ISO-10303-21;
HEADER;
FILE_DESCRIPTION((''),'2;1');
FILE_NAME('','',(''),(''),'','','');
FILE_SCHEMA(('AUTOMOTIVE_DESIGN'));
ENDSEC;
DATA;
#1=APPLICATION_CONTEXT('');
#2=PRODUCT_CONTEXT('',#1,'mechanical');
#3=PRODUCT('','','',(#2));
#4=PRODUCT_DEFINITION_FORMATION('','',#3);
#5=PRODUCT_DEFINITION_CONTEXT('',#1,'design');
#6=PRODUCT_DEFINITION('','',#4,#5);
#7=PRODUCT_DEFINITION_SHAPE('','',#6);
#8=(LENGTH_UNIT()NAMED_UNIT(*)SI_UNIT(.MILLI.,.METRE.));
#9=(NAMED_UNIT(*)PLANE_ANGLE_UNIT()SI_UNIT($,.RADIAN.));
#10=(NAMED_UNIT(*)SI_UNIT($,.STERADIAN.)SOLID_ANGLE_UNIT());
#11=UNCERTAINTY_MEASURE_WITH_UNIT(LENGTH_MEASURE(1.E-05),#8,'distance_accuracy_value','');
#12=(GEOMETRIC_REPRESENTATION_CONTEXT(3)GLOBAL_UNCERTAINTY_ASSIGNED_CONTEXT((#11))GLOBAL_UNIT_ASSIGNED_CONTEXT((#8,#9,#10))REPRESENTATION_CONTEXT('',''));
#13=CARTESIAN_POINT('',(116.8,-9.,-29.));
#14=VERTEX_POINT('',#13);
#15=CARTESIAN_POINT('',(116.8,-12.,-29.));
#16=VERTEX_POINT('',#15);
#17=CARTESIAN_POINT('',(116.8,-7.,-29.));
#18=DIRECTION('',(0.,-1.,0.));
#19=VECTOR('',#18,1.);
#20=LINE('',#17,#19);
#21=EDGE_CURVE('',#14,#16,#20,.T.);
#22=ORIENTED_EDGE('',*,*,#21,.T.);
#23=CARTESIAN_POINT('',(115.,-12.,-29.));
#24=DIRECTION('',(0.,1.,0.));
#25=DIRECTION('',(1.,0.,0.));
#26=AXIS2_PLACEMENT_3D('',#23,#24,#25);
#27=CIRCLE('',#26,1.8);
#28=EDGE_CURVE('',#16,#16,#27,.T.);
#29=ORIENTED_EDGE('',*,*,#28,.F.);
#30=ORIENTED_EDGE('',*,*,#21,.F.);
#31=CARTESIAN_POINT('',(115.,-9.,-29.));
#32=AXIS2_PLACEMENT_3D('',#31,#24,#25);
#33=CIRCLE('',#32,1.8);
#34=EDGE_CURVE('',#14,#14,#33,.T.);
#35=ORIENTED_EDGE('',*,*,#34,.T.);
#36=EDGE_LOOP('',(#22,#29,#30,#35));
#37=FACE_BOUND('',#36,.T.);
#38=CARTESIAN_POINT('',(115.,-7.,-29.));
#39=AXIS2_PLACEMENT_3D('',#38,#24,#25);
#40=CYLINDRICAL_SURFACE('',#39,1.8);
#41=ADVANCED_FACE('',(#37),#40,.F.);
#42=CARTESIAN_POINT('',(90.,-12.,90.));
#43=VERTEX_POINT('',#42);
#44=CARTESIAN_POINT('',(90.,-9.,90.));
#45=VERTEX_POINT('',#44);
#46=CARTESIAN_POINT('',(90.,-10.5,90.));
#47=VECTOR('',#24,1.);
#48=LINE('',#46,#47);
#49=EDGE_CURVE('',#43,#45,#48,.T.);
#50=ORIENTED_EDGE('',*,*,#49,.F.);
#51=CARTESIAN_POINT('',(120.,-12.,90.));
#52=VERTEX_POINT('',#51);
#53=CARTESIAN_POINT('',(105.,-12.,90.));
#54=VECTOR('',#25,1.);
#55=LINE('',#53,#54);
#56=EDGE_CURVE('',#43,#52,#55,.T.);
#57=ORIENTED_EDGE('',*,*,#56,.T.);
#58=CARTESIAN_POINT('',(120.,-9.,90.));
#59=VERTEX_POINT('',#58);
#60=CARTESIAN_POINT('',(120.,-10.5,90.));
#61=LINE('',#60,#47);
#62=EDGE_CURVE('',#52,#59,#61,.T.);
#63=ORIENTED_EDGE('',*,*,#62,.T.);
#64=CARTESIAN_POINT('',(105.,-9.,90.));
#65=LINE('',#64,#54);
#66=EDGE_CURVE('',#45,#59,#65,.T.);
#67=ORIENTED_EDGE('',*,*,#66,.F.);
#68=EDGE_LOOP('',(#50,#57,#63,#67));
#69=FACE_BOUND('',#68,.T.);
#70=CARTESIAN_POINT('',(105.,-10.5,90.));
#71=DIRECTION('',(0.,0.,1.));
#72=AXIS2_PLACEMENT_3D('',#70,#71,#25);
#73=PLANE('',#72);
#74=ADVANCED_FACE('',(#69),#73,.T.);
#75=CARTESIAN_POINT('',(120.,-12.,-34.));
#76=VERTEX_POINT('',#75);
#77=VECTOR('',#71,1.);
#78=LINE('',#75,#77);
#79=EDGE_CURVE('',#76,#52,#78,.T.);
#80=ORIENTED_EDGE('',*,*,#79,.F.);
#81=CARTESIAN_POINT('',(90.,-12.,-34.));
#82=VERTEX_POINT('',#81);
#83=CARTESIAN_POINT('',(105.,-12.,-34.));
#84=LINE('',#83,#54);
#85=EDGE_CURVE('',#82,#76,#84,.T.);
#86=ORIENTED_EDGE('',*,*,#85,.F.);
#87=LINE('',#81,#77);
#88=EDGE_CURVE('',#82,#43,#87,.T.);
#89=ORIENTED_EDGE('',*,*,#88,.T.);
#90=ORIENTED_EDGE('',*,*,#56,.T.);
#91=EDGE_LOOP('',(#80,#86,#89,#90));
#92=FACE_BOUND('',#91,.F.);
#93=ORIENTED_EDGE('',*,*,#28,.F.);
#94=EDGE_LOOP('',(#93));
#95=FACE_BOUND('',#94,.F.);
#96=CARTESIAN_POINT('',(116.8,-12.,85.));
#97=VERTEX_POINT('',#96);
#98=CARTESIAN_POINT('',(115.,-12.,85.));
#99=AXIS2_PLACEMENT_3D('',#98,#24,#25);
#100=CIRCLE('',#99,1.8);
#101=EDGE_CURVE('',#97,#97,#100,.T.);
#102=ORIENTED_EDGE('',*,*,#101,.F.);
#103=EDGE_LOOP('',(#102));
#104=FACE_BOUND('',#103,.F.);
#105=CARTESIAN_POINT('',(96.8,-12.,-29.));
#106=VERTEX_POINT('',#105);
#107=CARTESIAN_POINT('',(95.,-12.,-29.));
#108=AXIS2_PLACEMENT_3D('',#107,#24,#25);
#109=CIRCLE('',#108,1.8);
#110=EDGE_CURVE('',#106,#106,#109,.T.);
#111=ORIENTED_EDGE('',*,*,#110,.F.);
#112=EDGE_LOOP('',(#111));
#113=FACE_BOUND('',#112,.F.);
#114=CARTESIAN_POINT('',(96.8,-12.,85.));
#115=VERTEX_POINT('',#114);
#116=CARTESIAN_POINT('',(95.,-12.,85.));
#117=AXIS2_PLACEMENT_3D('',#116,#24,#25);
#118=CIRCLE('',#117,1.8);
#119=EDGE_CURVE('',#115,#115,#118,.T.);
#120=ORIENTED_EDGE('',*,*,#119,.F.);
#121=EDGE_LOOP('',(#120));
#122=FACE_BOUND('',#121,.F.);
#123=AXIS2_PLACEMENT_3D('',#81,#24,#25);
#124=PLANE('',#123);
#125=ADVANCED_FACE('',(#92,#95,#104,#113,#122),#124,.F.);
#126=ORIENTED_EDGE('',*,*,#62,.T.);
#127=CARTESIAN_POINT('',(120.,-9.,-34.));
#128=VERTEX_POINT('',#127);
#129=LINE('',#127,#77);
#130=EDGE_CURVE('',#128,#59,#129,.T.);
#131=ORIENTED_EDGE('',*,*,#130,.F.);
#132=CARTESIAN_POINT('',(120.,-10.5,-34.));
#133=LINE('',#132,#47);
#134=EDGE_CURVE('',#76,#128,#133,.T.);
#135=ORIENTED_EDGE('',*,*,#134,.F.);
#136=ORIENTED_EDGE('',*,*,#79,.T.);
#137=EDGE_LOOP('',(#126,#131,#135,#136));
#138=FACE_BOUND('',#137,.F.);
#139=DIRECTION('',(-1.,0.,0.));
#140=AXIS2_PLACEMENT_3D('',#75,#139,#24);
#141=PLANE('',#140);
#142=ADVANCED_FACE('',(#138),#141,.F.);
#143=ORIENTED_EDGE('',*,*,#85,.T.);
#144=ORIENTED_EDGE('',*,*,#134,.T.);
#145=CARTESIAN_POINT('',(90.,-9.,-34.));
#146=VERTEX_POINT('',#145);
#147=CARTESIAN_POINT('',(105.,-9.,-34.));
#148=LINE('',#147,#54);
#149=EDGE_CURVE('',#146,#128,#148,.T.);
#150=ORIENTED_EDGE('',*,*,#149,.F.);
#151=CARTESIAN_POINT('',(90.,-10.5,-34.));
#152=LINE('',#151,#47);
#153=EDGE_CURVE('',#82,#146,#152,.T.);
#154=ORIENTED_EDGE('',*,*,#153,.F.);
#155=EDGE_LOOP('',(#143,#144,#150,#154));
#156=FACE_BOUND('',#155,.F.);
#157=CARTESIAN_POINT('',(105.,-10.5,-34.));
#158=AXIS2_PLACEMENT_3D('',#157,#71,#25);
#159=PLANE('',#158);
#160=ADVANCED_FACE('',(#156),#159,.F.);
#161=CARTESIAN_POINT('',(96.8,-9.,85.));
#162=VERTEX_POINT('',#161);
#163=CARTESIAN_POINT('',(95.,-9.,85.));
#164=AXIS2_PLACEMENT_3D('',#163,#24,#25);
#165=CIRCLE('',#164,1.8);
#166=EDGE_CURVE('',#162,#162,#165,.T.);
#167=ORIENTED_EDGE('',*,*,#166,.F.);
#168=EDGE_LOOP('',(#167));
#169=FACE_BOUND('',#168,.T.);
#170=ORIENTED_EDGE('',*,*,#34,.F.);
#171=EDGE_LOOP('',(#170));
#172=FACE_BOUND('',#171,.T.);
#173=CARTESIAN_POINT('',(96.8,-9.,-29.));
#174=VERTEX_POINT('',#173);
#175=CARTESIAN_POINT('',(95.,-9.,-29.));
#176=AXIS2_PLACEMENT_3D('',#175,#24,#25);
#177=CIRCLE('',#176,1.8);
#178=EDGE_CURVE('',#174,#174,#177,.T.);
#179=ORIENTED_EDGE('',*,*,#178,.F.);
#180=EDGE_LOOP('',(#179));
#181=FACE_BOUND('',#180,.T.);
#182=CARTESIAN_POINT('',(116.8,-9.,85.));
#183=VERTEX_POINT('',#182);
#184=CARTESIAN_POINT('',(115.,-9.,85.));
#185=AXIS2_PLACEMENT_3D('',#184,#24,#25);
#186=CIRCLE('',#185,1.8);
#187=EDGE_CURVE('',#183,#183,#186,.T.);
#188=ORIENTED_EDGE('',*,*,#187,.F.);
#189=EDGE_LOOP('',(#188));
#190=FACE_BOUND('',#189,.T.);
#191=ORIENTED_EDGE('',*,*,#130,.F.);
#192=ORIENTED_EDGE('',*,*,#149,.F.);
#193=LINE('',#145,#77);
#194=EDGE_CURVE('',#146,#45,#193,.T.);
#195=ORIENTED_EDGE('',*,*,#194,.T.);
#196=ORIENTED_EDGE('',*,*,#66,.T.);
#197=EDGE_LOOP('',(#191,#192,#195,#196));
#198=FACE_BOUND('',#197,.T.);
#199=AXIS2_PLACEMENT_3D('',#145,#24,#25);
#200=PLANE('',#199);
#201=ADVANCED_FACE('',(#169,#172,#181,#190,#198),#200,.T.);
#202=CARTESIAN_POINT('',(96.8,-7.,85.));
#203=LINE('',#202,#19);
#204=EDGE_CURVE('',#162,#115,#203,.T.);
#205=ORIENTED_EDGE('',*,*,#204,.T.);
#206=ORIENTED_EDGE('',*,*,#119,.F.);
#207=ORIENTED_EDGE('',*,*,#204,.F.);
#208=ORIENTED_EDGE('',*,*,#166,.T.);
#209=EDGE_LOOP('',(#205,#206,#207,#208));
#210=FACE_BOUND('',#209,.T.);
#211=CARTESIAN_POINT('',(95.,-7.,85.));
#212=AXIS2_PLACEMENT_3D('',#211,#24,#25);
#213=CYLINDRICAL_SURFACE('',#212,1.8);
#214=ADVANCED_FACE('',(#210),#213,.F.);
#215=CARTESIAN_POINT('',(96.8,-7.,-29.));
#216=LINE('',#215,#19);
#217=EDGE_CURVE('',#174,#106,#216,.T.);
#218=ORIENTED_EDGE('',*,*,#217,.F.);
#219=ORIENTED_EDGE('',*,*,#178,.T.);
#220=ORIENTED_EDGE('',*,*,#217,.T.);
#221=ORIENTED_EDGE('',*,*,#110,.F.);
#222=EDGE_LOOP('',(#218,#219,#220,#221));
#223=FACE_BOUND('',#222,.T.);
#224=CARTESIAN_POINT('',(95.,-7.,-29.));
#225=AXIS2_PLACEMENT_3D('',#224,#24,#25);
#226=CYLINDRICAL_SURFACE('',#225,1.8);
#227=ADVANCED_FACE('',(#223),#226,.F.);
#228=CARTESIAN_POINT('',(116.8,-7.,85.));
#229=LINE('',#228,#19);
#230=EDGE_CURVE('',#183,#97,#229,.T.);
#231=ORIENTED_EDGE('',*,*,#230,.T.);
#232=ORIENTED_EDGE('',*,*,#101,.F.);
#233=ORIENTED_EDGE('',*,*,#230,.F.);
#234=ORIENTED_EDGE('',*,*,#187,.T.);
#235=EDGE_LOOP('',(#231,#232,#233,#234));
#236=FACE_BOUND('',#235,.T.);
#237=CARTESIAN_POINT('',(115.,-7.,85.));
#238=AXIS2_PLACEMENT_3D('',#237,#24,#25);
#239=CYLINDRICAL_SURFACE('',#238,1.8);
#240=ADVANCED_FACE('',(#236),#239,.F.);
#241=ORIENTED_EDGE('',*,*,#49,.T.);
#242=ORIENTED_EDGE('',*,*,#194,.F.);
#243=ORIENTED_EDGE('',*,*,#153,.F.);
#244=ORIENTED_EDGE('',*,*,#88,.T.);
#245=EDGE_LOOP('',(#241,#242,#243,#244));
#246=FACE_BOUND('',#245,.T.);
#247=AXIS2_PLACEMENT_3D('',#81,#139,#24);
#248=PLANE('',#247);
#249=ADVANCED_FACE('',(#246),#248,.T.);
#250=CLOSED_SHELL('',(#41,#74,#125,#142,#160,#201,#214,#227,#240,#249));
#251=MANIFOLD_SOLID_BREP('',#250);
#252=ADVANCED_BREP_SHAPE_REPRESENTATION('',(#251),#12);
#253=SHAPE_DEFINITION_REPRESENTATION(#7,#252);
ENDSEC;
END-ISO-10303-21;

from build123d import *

# Parameters (mm, degrees)
CYLINDER038_R       = 1.8
CYLINDER038_DEPTH   = 10
ARRAY001019_X_COUNT = 2
ARRAY001019_X_PITCH = 20
ARRAY001019_Z_COUNT = 2
ARRAY001019_Z_PITCH = 114
BOX018_W            = 30
BOX018_H            = 3
BOX018_DEPTH        = 124


with BuildPart() as side_connector_hole_array:
    # Cylinder038 → Cylinder038 (new body)
    with BuildSketch(Plane.XZ):
        Circle(CYLINDER038_R)
    extrude(amount=CYLINDER038_DEPTH)

    # Array001019 X: side connector hole array ×2


with BuildPart() as side_connector_hole_array_1:
    add(side_connector_hole_array.part)
    with Locations(*[(i * ARRAY001019_X_PITCH, 0, 0) for i in range(1, ARRAY001019_X_COUNT)]):
        add(side_connector_hole_array.part)

    # Array001019 Z: side connector hole array ×2


with BuildPart() as side_connector_hole_array_2:
    add(side_connector_hole_array_1.part)
    with Locations(*[(0, 0, i * ARRAY001019_Z_PITCH) for i in range(1, ARRAY001019_Z_COUNT)]):
        add(side_connector_hole_array_1.part)


with BuildPart() as side_connector_hole_array_3:
    # Array001019 placement: moved
    add(side_connector_hole_array_2.part.moved(Location((5, 5, 5))))


with BuildPart() as vertical_side_connector_clone:
    # Box018 → Box018 (new body)
    with BuildSketch(Plane.XY):
        with Locations((15, 1.5)):
            Rectangle(BOX018_W, BOX018_H)
    extrude(amount=BOX018_DEPTH)

    # Cut014: cut side connector hole array
    add(side_connector_hole_array_3.part, mode=Mode.SUBTRACT)


with BuildPart() as vertical_side_connector_clone_1:
    # Compound001 placement: moved
    add(vertical_side_connector_clone.part.moved(Location((0, -5, -36))))


with BuildPart() as vertical_side_connector_clone_2:
    # Clone004 placement: moved
    add(vertical_side_connector_clone_1.part.moved(Location((0, 0, 2))))


with BuildPart() as vertical_side_connector_clone_3:
    # Body004 placement: moved
    add(vertical_side_connector_clone_2.part.moved(Location((90, -7, 0))))


solid = vertical_side_connector_clone_3.part
